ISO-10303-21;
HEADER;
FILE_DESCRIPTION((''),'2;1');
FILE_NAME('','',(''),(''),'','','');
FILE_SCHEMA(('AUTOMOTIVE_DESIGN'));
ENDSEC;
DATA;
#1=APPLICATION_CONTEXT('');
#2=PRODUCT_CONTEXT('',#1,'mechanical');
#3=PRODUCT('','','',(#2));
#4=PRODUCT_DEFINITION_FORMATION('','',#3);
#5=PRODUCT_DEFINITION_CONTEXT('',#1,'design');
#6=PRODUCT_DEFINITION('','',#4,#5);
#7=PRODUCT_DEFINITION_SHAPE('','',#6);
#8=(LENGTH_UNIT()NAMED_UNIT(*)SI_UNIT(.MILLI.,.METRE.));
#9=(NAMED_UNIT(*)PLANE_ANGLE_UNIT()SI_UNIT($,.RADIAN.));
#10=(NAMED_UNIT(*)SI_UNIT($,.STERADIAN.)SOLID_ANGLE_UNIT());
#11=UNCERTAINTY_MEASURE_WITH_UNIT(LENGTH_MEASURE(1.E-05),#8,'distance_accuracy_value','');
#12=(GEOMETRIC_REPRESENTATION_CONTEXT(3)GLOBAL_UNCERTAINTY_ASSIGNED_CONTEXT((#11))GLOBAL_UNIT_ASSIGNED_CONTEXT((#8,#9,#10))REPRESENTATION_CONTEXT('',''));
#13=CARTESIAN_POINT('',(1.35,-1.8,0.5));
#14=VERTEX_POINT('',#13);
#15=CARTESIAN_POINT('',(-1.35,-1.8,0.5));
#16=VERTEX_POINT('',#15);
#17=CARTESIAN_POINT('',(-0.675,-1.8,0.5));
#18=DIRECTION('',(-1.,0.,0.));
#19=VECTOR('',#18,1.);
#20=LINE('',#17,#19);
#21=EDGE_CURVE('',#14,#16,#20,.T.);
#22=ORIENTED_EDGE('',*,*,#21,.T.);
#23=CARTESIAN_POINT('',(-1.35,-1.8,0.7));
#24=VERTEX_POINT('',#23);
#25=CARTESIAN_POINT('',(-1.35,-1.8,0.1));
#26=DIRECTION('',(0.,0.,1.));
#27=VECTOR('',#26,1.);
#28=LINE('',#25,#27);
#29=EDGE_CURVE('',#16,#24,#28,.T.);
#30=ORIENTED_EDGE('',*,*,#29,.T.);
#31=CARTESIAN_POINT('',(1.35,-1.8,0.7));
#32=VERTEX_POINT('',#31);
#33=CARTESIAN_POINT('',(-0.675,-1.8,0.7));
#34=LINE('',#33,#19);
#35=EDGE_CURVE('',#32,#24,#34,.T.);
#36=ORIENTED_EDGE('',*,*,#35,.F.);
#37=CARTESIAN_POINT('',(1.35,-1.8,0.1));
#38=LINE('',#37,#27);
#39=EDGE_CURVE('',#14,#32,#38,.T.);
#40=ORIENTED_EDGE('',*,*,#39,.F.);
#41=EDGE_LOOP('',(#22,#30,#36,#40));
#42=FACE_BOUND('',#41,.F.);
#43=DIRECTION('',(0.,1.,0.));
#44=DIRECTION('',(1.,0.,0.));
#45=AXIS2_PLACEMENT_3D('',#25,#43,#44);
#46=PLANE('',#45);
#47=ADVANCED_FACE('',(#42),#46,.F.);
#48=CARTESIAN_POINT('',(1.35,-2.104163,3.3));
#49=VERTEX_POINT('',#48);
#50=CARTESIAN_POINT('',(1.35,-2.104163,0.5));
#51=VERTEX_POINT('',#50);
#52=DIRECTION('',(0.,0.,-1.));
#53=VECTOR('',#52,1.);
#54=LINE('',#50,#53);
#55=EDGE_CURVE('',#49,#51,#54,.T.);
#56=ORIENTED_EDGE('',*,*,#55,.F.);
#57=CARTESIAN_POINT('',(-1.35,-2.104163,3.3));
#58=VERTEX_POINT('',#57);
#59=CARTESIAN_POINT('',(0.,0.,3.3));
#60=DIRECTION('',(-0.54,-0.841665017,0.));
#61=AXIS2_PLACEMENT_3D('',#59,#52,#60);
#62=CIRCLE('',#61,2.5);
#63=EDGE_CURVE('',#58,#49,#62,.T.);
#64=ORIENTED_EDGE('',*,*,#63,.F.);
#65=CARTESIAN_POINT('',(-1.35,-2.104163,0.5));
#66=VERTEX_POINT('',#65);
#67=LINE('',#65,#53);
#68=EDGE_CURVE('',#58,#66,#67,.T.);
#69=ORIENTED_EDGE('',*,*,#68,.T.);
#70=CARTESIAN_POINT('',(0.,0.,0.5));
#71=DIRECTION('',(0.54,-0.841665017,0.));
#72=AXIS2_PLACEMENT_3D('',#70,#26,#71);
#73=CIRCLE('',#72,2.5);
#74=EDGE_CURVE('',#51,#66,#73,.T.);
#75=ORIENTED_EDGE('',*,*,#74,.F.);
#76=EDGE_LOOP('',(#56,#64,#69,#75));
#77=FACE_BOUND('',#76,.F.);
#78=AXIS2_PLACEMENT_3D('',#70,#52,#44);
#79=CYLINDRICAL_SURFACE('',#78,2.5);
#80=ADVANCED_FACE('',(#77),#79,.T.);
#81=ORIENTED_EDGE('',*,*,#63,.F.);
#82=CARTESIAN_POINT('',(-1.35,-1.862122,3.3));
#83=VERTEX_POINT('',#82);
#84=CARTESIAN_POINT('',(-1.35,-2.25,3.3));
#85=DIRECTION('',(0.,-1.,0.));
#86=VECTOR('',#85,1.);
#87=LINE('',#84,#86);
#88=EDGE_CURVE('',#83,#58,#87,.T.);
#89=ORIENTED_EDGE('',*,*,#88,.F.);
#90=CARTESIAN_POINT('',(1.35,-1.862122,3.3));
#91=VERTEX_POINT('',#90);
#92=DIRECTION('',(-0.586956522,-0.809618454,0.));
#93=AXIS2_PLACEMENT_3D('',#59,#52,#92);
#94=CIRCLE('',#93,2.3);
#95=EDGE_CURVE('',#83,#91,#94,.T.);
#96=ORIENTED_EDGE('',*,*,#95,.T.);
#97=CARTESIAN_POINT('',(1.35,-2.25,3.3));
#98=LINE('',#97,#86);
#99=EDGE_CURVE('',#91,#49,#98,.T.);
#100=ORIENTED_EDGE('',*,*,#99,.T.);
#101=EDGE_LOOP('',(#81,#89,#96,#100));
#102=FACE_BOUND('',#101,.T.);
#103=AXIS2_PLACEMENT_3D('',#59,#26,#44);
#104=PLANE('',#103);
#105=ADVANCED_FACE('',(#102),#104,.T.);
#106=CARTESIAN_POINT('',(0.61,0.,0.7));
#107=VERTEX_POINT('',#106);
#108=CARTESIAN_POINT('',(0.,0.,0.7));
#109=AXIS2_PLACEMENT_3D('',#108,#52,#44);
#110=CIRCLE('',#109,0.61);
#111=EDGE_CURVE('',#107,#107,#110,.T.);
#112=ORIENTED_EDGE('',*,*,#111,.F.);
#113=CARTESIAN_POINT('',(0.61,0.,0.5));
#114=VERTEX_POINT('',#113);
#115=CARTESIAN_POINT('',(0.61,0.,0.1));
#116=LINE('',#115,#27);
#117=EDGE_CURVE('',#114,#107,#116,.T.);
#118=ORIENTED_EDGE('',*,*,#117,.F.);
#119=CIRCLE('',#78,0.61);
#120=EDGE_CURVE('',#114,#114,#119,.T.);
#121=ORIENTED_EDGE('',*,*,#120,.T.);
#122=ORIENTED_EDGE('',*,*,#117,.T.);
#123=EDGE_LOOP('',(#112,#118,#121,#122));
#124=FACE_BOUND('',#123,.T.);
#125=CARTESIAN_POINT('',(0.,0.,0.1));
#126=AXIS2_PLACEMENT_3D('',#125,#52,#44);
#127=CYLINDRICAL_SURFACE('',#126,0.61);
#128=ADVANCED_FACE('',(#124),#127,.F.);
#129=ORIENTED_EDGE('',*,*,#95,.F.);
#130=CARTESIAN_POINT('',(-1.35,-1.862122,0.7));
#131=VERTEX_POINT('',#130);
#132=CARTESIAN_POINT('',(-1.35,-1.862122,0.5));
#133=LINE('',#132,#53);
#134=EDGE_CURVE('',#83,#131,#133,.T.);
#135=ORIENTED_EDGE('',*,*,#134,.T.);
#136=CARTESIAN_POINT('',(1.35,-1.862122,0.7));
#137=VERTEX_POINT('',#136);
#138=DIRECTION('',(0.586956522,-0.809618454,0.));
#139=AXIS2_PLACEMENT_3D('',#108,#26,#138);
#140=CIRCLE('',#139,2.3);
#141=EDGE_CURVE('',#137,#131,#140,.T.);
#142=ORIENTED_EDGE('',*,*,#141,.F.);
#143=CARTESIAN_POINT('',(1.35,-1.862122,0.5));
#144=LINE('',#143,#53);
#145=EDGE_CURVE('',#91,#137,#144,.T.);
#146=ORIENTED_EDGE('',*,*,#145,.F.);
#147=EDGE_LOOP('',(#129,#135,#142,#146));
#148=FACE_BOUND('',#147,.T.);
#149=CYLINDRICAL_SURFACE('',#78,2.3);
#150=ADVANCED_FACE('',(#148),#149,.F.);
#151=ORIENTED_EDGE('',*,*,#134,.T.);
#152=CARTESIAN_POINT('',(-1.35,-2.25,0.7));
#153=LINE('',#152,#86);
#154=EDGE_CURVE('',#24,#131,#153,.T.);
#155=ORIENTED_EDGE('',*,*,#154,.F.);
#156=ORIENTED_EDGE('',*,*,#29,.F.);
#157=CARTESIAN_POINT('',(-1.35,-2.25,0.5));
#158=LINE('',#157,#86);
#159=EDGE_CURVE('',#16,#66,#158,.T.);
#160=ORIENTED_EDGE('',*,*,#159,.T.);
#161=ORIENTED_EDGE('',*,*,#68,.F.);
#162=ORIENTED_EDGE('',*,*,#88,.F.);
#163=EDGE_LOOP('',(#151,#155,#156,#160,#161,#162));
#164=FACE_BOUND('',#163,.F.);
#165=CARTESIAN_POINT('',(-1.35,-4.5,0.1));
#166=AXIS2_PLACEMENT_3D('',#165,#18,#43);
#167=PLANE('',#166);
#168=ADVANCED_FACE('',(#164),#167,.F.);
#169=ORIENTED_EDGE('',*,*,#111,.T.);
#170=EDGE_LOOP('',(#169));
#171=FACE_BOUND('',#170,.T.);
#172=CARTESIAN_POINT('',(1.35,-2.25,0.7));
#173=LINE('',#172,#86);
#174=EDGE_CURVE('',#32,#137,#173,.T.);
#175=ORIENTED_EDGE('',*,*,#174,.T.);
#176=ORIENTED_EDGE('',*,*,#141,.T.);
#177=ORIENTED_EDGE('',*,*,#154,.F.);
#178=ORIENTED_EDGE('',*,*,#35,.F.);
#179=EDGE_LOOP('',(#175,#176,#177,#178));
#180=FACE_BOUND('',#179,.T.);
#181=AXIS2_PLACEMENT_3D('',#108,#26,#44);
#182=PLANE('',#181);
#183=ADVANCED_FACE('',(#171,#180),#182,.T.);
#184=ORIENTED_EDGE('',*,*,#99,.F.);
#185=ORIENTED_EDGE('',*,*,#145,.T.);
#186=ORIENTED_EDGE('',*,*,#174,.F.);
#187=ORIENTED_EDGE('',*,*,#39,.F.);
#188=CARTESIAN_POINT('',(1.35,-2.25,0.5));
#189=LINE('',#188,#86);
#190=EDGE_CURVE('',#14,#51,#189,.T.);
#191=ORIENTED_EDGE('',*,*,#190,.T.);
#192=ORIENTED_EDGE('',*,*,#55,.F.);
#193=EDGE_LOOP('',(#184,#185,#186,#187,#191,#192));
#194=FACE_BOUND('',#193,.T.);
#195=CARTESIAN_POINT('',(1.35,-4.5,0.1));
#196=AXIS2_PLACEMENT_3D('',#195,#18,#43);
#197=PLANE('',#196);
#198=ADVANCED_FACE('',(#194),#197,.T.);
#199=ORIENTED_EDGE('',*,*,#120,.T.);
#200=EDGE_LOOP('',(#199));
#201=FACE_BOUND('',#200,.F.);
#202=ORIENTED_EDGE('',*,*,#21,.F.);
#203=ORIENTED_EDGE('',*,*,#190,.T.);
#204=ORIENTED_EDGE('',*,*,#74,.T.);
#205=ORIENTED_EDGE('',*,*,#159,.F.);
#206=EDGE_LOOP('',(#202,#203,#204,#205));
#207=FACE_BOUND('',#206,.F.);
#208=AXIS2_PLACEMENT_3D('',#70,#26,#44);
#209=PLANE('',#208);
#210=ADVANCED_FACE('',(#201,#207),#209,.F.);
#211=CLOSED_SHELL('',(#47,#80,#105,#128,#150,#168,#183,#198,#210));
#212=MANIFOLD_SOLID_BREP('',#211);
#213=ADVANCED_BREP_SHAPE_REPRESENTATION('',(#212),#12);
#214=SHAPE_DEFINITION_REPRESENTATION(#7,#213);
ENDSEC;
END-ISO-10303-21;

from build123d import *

# Parameters (mm, degrees)
BOX_W             = 2.7
BOX_H             = 2.7
BOX_DEPTH         = 10
CYLINDER003_R     = 0.61
CYLINDER003_DEPTH = 10
CYLINDER002_R     = 2.5
CYLINDER002_DEPTH = 2.8
THICKNESS_T       = -0.2


with BuildPart() as cube:
    # Box → Box (new body)
    with BuildSketch(Plane(origin=(-1.35, -4.5, 0), x_dir=(1, 0, 0), z_dir=(0, 0, 1))):
        with Locations((1.35, 1.35)):
            Rectangle(BOX_W, BOX_H)
    extrude(amount=BOX_DEPTH)


with BuildPart() as cylinder003:
    # Cylinder003 → Cylinder003 (new body)
    with BuildSketch(Plane.XY):
        Circle(CYLINDER003_R)
    extrude(amount=CYLINDER003_DEPTH)


with BuildPart() as bodyfront:
    # Cylinder002 → Cylinder002 (new body)
    with BuildSketch(Plane.XY):
        Circle(CYLINDER002_R)
    extrude(amount=CYLINDER002_DEPTH)

    # Thickness
    thickness_openings = [bodyfront.faces().sort_by_distance(p)[0] for p in [
        (0, 0, 2.8),
    ]]
    offset(amount=THICKNESS_T, openings=thickness_openings)


with BuildPart() as bodyfront_1:
    # Thickness placement: moved
    add(bodyfront.part.moved(Location((0, 0, 0.4))))

    # Cut002: cut Cylinder003
    add(cylinder003.part, mode=Mode.SUBTRACT)

    # Cut003: cut Cube
    add(cube.part, mode=Mode.SUBTRACT)


with BuildPart() as bodyfront_2:
    # Cut003 placement: moved
    add(bodyfront_1.part.moved(Location((0, 0, 0.1))))


solid = bodyfront_2.part
